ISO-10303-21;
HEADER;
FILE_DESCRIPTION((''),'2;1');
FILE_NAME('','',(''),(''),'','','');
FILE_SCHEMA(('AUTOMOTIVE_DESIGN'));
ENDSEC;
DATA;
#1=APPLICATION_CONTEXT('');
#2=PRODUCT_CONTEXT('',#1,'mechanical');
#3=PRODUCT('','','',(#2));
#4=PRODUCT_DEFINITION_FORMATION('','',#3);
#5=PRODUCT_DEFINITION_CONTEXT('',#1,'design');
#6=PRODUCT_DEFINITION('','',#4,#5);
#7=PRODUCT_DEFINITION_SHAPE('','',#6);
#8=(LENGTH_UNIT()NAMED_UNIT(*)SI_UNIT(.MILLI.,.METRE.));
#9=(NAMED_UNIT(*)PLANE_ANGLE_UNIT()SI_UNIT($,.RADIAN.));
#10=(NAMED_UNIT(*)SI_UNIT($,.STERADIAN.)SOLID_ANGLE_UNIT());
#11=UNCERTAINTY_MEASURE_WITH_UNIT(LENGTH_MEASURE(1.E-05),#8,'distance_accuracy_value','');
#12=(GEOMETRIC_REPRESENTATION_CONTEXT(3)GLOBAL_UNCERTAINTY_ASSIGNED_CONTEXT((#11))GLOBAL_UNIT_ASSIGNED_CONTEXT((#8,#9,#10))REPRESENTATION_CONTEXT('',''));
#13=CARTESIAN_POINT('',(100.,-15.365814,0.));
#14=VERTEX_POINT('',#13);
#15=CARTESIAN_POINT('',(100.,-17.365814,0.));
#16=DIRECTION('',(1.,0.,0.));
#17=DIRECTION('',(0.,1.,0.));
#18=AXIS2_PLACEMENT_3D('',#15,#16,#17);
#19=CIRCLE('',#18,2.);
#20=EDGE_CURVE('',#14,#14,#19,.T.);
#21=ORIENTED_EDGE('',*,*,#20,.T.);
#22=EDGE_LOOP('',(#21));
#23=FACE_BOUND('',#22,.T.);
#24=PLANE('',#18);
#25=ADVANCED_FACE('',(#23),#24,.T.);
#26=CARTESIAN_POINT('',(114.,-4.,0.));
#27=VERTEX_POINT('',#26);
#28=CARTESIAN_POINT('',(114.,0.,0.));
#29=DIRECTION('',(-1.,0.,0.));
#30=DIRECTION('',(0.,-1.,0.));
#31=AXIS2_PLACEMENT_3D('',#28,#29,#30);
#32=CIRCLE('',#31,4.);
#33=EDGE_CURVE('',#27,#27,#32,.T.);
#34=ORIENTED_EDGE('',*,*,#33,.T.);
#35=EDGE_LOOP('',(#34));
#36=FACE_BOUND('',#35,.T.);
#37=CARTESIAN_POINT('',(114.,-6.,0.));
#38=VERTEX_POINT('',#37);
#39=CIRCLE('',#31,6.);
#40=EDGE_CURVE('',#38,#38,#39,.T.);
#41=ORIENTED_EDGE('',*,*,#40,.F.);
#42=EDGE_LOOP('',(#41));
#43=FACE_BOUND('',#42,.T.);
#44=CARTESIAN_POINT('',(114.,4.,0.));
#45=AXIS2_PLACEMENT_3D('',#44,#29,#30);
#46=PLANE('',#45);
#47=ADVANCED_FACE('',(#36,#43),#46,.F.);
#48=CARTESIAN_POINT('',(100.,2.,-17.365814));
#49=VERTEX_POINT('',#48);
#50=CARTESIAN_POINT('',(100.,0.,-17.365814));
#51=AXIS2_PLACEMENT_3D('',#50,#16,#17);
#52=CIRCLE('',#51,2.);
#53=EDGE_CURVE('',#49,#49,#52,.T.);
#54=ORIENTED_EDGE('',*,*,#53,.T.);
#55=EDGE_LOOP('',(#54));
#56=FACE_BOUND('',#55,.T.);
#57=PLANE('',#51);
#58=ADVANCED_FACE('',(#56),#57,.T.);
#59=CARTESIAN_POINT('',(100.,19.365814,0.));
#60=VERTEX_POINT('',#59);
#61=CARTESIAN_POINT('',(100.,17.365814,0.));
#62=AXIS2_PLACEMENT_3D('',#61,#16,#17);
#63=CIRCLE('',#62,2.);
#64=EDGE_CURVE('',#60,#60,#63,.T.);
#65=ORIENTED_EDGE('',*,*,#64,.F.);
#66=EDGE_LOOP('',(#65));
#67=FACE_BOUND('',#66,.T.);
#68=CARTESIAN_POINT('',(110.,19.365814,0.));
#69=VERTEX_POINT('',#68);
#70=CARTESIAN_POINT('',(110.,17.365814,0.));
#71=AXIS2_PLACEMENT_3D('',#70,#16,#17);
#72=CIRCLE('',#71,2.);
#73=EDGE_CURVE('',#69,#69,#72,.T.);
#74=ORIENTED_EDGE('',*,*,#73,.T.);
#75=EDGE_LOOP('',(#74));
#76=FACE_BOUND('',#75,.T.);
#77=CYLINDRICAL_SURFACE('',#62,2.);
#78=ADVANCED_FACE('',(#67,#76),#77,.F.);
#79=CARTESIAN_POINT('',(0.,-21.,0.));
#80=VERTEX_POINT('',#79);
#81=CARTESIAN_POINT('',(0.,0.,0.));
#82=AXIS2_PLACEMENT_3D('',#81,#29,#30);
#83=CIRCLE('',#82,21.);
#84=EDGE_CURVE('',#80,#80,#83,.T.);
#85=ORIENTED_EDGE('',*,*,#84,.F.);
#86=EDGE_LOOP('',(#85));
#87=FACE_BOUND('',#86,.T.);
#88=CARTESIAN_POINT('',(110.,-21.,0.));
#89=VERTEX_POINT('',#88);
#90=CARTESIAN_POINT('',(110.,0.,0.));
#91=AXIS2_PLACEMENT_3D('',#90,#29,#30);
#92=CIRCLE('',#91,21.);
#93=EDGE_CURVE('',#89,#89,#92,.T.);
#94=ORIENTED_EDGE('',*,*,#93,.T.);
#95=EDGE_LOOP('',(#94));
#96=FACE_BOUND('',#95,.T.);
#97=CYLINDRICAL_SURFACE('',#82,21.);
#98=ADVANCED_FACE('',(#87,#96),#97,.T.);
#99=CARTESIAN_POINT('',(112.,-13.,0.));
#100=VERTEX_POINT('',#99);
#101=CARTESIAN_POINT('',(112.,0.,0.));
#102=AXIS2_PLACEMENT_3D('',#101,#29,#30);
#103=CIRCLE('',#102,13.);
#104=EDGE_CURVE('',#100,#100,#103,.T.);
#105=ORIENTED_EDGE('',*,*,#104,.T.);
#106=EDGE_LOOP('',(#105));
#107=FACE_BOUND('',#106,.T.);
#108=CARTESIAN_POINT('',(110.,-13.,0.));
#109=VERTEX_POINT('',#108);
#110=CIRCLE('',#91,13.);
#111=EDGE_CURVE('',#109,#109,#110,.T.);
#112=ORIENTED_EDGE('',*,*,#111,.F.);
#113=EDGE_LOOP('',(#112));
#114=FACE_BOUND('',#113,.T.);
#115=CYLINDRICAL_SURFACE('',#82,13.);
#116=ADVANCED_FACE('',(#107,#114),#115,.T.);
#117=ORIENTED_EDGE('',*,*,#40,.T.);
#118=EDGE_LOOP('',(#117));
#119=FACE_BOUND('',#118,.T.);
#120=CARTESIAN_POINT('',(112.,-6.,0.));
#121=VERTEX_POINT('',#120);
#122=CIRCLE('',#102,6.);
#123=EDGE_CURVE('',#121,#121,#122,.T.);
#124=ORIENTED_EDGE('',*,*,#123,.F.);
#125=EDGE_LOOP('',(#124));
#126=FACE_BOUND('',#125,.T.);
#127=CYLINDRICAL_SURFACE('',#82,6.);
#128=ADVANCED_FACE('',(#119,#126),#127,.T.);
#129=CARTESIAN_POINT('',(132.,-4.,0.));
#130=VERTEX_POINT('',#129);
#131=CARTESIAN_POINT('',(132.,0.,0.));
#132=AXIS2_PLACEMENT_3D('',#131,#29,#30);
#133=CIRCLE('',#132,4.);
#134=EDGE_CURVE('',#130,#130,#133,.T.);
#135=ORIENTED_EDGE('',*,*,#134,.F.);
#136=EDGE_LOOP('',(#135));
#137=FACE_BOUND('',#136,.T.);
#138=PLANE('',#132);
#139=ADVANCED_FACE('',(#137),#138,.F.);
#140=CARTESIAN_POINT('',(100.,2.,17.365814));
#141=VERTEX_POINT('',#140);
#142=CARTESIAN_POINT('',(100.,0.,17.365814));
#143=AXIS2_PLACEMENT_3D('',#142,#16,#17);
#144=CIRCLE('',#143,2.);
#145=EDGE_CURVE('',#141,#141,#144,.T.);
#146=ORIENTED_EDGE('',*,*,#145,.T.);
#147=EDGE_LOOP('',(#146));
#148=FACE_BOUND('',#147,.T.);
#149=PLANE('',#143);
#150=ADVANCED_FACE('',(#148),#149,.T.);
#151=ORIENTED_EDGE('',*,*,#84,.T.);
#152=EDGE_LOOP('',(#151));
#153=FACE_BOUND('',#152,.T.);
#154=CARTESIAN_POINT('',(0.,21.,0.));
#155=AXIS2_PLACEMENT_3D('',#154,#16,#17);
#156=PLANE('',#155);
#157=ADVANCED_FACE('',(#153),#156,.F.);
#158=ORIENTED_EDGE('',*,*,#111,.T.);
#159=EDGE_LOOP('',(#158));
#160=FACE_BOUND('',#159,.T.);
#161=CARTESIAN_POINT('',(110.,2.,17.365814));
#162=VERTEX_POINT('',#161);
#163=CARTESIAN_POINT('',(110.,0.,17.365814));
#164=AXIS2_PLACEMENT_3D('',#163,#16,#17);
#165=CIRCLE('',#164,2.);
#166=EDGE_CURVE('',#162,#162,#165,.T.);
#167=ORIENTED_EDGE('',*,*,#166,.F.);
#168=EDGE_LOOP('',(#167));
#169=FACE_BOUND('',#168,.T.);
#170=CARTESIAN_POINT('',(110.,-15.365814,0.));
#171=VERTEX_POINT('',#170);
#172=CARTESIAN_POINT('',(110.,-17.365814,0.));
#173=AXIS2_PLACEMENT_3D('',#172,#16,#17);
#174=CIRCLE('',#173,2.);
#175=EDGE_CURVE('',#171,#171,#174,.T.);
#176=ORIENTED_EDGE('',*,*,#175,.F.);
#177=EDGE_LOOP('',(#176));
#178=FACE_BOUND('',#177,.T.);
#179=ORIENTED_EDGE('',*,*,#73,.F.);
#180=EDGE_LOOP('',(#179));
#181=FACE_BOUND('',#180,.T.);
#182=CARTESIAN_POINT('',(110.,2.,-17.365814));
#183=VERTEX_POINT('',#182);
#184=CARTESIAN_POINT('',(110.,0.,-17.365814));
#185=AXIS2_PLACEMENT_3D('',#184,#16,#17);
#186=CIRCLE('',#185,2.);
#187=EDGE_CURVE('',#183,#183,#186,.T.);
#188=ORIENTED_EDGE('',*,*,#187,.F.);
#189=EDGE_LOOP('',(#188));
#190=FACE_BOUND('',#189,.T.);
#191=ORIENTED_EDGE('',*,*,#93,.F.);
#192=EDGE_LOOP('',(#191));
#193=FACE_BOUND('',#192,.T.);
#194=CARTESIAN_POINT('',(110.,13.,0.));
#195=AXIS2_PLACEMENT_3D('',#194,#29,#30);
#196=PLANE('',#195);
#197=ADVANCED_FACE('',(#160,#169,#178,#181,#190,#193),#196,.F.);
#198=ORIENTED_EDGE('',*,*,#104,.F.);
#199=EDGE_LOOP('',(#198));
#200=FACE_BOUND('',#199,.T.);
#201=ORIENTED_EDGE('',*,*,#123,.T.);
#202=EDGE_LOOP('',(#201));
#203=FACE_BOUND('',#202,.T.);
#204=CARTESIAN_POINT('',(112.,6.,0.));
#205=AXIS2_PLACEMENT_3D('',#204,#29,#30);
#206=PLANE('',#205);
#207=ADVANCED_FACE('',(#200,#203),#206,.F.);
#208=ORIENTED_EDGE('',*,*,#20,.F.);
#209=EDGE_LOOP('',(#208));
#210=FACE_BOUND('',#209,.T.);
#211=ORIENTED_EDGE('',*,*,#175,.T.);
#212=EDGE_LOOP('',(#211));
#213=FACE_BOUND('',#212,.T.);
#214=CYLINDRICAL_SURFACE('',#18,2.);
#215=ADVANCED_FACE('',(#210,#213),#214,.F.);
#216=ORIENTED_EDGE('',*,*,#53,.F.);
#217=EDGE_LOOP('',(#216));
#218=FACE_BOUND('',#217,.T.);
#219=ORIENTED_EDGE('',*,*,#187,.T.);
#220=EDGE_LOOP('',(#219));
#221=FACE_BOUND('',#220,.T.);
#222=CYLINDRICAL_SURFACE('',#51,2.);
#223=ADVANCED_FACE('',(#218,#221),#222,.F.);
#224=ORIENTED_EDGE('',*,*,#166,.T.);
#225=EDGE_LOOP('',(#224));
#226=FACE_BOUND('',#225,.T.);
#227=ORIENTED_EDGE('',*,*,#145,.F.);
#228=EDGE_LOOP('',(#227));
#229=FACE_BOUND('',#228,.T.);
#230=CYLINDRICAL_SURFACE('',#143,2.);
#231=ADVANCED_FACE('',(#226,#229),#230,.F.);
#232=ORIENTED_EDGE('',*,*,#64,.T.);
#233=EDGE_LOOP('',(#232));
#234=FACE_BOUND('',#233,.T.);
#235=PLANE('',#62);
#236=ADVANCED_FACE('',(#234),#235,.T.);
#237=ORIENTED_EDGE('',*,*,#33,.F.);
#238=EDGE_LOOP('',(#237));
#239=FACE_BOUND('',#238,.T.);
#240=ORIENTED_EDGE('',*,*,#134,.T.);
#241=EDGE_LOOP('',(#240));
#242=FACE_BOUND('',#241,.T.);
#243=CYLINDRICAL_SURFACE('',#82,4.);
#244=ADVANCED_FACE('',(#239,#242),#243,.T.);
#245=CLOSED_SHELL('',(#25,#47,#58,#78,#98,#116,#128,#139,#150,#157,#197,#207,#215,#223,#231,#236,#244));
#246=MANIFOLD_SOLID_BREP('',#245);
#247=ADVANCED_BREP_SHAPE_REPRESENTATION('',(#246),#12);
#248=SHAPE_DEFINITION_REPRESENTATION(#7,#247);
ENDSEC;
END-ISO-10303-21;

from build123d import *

# Parameters (mm, degrees)
SKETCH2_R          = 2
CUT_EXTRUDE1_DEPTH = 10


with BuildPart() as part:
    # Sketch1 → Revolve1 (revolve)
    with BuildSketch(Plane.XY, mode=Mode.PRIVATE) as revolve1_sk:
        Polygon((0, 0), (132, 0), (132, 4), (114, 4), (114, 6), (112, 6), (112, 13), (110, 13), (110, 21), (0, 21), align=None)
    revolve(revolve1_sk.sketch.rotate(Axis((0, 0, 0), (1, 0, 0)), 180), axis=Axis((0, 0, 0), (1, 0, 0)))

    # Sketch2 → Cut-Extrude1 (cut)
    with BuildSketch(Plane(origin=(110, 0, 0), x_dir=(0, 0, -1), z_dir=(1, 0, 0))):
        with Locations(Location((0, 17.365813997, 0), (0, 0, 90))):
            Circle(SKETCH2_R)
        with Locations(Location((17.365813997, 0, 0), (0, 0, 90))):
            Circle(SKETCH2_R)
        with Locations(Location((0, -17.365813997, 0), (0, 0, 90))):
            Circle(SKETCH2_R)
        with Locations(Location((-17.365813997, 0, 0), (0, 0, 90))):
            Circle(SKETCH2_R)
    extrude(amount=-CUT_EXTRUDE1_DEPTH, mode=Mode.SUBTRACT)


solid = part.part
